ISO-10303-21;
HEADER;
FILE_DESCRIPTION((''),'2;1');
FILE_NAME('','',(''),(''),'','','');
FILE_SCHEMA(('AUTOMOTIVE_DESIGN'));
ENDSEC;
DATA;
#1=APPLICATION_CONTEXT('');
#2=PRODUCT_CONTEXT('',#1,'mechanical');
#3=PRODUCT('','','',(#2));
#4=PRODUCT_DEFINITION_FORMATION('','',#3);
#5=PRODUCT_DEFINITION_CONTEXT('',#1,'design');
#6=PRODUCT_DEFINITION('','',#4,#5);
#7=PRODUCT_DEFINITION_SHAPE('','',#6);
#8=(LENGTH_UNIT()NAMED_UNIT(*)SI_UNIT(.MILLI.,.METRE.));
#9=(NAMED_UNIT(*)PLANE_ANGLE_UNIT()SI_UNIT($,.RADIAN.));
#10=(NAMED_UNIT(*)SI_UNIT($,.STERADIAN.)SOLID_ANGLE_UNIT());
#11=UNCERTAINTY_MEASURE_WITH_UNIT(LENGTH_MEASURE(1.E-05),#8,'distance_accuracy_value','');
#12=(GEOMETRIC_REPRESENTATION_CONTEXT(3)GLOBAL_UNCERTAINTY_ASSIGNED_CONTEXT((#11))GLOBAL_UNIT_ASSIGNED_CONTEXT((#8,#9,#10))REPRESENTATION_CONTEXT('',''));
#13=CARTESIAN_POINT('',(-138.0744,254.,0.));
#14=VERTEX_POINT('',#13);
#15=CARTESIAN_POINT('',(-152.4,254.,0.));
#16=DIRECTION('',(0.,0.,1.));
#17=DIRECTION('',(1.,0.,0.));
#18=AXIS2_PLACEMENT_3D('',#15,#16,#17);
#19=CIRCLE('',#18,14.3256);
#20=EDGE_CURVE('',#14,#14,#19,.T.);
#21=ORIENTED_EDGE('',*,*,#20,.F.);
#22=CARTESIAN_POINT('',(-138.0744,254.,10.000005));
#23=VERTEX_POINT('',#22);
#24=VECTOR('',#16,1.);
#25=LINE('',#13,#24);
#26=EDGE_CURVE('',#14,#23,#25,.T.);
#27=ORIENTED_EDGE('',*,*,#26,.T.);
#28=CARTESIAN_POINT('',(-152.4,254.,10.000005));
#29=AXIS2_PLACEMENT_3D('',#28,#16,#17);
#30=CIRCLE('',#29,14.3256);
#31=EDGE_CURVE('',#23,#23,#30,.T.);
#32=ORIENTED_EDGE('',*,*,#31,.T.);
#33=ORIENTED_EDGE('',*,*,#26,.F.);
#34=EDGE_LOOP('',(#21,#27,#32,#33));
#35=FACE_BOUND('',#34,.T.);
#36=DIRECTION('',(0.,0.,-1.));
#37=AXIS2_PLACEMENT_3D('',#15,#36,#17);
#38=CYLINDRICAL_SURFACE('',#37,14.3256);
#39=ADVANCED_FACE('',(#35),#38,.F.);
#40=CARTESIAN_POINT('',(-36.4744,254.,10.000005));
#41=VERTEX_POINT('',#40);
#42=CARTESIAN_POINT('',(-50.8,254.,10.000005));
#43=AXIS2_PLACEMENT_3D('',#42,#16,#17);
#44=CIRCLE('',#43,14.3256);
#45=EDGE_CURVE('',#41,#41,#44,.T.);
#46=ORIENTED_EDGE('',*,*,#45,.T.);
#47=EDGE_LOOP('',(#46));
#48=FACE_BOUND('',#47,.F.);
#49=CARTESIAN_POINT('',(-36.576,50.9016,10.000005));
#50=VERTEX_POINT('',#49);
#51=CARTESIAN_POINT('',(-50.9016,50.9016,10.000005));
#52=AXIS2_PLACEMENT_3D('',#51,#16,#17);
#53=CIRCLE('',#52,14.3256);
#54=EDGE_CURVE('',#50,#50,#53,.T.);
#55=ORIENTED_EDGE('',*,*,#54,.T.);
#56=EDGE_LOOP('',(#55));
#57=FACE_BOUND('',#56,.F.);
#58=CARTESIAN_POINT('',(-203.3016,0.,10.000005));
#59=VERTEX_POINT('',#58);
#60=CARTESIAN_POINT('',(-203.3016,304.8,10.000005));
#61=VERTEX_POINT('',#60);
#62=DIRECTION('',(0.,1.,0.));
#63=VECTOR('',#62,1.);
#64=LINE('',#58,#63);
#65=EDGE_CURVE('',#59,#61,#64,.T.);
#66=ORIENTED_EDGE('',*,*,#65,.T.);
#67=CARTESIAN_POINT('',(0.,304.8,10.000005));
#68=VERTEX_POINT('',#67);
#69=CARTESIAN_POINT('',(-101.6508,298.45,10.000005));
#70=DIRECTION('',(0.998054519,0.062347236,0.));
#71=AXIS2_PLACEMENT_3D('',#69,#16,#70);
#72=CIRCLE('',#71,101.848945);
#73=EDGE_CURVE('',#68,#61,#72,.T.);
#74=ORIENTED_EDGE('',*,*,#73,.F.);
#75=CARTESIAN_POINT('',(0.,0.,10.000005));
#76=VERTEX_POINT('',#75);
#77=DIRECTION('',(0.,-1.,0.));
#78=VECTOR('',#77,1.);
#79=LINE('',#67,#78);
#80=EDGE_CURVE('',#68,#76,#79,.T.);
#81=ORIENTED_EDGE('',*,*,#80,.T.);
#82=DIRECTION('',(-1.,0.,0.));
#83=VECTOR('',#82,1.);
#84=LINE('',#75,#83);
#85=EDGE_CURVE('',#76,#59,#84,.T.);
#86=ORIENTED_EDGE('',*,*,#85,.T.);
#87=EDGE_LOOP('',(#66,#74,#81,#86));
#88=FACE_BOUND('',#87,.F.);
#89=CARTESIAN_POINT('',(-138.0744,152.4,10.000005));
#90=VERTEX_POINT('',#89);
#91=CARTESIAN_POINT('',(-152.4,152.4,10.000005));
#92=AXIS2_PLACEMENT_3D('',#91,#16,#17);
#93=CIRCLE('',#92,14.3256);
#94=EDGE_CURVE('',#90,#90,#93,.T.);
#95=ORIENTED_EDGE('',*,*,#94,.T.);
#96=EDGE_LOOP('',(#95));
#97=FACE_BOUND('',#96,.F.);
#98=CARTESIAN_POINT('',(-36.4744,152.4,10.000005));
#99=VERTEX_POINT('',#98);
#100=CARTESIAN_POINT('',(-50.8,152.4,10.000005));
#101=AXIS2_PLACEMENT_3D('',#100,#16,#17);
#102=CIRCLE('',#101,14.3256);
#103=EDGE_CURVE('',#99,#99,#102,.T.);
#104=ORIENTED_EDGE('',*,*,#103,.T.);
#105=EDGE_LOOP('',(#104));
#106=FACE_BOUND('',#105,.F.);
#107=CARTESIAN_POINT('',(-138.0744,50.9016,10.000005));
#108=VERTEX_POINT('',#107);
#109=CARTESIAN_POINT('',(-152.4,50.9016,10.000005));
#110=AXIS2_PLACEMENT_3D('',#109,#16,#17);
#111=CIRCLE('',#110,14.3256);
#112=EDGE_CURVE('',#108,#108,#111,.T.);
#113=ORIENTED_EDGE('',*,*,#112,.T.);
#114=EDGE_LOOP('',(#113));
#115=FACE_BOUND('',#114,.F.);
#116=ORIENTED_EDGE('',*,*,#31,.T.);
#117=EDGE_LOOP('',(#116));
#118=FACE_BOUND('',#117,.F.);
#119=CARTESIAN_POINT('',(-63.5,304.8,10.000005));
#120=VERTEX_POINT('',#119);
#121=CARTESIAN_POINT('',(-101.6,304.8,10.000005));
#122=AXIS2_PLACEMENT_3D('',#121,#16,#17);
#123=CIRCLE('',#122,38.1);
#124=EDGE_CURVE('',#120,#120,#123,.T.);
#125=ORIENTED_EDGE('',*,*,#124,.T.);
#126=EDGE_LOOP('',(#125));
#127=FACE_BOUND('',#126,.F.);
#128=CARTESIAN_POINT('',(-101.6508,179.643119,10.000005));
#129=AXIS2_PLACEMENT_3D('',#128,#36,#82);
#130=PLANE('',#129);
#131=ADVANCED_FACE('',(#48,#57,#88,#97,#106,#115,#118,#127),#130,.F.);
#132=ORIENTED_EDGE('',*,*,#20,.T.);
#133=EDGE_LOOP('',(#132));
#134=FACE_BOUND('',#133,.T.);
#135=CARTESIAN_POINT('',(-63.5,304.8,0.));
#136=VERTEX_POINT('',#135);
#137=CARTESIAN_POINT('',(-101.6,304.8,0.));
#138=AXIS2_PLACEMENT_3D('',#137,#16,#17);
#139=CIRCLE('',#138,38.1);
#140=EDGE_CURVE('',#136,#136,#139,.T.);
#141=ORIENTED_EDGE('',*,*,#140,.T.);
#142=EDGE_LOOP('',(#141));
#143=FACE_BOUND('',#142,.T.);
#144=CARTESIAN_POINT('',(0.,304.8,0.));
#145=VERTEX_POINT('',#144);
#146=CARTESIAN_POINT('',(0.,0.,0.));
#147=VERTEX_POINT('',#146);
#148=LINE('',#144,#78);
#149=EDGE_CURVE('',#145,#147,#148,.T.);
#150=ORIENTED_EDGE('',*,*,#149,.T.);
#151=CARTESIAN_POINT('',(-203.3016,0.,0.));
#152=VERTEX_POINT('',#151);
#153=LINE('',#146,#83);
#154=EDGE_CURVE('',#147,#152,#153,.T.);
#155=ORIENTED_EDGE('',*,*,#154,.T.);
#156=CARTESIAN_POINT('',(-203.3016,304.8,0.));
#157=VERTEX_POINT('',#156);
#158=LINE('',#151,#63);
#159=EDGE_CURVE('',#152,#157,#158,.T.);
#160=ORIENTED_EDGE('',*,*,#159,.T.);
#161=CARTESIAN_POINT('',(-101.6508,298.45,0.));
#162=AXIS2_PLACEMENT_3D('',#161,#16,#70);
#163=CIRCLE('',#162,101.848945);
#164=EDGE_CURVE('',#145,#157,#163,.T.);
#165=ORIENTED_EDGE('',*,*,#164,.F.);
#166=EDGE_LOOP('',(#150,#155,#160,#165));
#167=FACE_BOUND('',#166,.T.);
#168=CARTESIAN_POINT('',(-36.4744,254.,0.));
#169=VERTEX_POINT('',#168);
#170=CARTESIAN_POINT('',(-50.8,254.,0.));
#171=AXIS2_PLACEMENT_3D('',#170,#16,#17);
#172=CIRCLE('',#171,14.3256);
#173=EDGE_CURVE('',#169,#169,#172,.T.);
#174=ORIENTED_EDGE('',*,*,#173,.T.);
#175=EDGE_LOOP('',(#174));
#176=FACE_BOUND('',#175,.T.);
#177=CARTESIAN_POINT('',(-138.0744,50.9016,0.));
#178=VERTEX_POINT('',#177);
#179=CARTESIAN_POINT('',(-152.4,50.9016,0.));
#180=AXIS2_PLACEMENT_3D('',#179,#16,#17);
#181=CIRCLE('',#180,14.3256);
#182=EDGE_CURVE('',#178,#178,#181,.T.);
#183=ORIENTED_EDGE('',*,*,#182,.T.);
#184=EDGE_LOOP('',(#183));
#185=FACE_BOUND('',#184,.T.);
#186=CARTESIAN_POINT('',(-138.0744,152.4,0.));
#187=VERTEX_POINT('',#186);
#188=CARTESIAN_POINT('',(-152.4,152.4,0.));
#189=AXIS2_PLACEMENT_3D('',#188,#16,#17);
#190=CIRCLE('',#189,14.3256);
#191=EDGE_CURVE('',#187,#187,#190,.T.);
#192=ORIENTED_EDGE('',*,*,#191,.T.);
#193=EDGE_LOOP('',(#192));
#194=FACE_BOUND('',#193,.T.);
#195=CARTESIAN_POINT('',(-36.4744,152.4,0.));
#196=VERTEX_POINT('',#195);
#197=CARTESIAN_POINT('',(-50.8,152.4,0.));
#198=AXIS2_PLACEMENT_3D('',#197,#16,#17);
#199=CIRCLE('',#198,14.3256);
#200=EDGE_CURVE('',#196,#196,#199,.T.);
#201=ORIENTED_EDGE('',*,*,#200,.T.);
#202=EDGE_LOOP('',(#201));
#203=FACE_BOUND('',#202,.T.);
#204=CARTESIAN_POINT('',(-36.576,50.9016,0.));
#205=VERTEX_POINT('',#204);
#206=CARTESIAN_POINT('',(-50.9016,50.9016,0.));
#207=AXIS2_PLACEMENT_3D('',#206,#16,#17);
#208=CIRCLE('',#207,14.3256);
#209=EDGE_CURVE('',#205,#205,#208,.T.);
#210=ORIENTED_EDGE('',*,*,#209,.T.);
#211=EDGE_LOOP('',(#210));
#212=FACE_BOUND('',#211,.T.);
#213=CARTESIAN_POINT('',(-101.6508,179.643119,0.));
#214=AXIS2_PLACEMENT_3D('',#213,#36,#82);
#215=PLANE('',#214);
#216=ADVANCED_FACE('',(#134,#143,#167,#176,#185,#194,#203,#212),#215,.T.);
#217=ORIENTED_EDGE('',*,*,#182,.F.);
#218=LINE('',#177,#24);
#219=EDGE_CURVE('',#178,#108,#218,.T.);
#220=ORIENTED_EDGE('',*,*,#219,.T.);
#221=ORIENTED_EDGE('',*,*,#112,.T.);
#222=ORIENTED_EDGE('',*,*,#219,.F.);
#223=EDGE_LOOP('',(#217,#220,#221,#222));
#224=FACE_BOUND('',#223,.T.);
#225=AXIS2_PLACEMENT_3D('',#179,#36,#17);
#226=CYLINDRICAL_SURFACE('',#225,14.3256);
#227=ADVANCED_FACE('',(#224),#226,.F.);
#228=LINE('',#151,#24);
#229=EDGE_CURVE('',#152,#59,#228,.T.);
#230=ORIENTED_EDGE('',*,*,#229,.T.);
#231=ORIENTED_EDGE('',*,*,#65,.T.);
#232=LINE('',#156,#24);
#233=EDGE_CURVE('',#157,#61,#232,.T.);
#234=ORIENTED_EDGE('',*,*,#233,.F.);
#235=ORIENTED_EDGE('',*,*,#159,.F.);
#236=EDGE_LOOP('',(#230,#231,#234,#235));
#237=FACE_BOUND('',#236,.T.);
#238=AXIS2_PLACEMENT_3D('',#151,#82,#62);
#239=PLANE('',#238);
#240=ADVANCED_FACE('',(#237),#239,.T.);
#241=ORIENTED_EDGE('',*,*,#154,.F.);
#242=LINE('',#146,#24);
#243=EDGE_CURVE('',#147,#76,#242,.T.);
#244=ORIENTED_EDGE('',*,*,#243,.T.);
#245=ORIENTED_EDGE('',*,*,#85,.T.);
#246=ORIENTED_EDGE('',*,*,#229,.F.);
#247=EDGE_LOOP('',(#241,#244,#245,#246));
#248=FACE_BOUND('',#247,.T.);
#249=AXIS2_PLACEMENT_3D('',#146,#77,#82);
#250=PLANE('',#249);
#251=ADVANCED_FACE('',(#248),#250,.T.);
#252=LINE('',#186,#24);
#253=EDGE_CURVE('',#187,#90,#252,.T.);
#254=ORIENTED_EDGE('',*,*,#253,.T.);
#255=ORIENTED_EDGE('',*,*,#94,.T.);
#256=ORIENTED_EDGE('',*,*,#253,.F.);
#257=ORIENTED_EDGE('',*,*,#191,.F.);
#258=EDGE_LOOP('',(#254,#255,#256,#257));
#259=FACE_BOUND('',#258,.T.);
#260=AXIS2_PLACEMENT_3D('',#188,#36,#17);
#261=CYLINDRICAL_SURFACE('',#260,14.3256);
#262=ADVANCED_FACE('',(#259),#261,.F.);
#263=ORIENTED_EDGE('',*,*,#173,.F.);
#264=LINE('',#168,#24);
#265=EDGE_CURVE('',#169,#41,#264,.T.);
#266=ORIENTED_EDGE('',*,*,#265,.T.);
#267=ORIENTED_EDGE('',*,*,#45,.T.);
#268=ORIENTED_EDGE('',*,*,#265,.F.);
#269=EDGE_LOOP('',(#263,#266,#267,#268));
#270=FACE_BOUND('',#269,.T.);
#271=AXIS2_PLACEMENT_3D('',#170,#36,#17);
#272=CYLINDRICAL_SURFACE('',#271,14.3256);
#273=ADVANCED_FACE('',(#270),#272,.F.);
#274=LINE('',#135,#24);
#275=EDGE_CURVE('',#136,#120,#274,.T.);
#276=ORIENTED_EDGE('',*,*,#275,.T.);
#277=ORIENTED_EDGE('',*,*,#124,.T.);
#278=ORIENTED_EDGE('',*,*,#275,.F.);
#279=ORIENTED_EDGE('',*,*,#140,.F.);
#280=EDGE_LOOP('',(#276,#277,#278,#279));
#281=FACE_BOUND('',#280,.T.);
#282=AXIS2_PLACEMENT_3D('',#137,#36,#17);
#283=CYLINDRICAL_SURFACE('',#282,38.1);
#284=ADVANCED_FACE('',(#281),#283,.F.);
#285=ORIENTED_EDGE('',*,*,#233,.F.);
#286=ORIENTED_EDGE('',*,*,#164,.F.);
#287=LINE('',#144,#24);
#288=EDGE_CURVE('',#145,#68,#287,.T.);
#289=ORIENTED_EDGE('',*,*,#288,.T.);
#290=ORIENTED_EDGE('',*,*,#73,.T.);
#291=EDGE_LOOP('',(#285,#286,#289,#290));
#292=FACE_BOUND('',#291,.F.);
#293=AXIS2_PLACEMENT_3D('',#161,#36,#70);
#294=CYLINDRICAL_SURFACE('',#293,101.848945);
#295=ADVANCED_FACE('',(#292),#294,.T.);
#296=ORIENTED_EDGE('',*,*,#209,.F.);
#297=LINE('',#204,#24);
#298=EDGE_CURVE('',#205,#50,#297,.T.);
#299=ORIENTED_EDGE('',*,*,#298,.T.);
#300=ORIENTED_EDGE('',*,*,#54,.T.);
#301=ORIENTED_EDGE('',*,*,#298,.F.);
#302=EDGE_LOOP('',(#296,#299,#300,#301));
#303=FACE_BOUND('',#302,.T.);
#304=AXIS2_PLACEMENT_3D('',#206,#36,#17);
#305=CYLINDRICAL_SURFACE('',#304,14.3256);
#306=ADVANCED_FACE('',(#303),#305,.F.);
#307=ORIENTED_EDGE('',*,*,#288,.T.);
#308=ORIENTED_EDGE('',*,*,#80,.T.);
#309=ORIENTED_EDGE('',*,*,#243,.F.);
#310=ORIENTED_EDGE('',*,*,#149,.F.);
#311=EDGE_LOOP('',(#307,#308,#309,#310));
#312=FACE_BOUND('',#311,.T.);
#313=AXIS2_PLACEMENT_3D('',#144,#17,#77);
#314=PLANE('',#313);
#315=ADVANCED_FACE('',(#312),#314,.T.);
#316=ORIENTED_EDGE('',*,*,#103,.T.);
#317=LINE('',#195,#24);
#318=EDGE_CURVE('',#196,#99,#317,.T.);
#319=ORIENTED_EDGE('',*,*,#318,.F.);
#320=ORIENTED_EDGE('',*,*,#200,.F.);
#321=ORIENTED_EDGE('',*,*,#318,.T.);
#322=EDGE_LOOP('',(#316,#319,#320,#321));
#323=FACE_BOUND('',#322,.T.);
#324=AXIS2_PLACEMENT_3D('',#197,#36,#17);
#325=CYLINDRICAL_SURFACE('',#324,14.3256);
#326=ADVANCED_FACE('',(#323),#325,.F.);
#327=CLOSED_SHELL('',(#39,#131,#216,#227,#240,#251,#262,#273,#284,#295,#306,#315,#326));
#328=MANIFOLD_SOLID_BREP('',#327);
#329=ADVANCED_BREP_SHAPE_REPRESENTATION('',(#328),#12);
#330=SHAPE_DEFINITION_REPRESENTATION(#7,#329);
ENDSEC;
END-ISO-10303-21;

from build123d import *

# Parameters (mm, degrees)
SKETCH_R   = 14.3256
SKETCH_R_2 = 38.1
PAD_DEPTH  = 10.000005


with BuildPart() as part:
    # Sketch → Pad (new body)
    with BuildSketch(Plane.XY):
        with BuildLine():
            Line((0, 304.8), (0, 0))
            Line((0, 0), (-203.3016, 0))
            Line((-203.3016, 0), (-203.3016, 304.8))
            ThreePointArc((0, 304.8), (-101.6508, 400.298945), (-203.3016, 304.8))
        make_face()
        with Locations((-152.4, 50.9016)):
            Circle(SKETCH_R, mode=Mode.SUBTRACT)
        with Locations((-50.9016, 50.9016)):
            Circle(SKETCH_R, mode=Mode.SUBTRACT)
        with Locations((-152.4, 152.4)):
            Circle(SKETCH_R, mode=Mode.SUBTRACT)
        with Locations((-50.8, 152.4)):
            Circle(SKETCH_R, mode=Mode.SUBTRACT)
        with Locations((-152.4, 254)):
            Circle(SKETCH_R, mode=Mode.SUBTRACT)
        with Locations((-50.8, 254)):
            Circle(SKETCH_R, mode=Mode.SUBTRACT)
        with Locations((-101.6, 304.8)):
            Circle(SKETCH_R_2, mode=Mode.SUBTRACT)
    extrude(amount=PAD_DEPTH)


solid = part.part
